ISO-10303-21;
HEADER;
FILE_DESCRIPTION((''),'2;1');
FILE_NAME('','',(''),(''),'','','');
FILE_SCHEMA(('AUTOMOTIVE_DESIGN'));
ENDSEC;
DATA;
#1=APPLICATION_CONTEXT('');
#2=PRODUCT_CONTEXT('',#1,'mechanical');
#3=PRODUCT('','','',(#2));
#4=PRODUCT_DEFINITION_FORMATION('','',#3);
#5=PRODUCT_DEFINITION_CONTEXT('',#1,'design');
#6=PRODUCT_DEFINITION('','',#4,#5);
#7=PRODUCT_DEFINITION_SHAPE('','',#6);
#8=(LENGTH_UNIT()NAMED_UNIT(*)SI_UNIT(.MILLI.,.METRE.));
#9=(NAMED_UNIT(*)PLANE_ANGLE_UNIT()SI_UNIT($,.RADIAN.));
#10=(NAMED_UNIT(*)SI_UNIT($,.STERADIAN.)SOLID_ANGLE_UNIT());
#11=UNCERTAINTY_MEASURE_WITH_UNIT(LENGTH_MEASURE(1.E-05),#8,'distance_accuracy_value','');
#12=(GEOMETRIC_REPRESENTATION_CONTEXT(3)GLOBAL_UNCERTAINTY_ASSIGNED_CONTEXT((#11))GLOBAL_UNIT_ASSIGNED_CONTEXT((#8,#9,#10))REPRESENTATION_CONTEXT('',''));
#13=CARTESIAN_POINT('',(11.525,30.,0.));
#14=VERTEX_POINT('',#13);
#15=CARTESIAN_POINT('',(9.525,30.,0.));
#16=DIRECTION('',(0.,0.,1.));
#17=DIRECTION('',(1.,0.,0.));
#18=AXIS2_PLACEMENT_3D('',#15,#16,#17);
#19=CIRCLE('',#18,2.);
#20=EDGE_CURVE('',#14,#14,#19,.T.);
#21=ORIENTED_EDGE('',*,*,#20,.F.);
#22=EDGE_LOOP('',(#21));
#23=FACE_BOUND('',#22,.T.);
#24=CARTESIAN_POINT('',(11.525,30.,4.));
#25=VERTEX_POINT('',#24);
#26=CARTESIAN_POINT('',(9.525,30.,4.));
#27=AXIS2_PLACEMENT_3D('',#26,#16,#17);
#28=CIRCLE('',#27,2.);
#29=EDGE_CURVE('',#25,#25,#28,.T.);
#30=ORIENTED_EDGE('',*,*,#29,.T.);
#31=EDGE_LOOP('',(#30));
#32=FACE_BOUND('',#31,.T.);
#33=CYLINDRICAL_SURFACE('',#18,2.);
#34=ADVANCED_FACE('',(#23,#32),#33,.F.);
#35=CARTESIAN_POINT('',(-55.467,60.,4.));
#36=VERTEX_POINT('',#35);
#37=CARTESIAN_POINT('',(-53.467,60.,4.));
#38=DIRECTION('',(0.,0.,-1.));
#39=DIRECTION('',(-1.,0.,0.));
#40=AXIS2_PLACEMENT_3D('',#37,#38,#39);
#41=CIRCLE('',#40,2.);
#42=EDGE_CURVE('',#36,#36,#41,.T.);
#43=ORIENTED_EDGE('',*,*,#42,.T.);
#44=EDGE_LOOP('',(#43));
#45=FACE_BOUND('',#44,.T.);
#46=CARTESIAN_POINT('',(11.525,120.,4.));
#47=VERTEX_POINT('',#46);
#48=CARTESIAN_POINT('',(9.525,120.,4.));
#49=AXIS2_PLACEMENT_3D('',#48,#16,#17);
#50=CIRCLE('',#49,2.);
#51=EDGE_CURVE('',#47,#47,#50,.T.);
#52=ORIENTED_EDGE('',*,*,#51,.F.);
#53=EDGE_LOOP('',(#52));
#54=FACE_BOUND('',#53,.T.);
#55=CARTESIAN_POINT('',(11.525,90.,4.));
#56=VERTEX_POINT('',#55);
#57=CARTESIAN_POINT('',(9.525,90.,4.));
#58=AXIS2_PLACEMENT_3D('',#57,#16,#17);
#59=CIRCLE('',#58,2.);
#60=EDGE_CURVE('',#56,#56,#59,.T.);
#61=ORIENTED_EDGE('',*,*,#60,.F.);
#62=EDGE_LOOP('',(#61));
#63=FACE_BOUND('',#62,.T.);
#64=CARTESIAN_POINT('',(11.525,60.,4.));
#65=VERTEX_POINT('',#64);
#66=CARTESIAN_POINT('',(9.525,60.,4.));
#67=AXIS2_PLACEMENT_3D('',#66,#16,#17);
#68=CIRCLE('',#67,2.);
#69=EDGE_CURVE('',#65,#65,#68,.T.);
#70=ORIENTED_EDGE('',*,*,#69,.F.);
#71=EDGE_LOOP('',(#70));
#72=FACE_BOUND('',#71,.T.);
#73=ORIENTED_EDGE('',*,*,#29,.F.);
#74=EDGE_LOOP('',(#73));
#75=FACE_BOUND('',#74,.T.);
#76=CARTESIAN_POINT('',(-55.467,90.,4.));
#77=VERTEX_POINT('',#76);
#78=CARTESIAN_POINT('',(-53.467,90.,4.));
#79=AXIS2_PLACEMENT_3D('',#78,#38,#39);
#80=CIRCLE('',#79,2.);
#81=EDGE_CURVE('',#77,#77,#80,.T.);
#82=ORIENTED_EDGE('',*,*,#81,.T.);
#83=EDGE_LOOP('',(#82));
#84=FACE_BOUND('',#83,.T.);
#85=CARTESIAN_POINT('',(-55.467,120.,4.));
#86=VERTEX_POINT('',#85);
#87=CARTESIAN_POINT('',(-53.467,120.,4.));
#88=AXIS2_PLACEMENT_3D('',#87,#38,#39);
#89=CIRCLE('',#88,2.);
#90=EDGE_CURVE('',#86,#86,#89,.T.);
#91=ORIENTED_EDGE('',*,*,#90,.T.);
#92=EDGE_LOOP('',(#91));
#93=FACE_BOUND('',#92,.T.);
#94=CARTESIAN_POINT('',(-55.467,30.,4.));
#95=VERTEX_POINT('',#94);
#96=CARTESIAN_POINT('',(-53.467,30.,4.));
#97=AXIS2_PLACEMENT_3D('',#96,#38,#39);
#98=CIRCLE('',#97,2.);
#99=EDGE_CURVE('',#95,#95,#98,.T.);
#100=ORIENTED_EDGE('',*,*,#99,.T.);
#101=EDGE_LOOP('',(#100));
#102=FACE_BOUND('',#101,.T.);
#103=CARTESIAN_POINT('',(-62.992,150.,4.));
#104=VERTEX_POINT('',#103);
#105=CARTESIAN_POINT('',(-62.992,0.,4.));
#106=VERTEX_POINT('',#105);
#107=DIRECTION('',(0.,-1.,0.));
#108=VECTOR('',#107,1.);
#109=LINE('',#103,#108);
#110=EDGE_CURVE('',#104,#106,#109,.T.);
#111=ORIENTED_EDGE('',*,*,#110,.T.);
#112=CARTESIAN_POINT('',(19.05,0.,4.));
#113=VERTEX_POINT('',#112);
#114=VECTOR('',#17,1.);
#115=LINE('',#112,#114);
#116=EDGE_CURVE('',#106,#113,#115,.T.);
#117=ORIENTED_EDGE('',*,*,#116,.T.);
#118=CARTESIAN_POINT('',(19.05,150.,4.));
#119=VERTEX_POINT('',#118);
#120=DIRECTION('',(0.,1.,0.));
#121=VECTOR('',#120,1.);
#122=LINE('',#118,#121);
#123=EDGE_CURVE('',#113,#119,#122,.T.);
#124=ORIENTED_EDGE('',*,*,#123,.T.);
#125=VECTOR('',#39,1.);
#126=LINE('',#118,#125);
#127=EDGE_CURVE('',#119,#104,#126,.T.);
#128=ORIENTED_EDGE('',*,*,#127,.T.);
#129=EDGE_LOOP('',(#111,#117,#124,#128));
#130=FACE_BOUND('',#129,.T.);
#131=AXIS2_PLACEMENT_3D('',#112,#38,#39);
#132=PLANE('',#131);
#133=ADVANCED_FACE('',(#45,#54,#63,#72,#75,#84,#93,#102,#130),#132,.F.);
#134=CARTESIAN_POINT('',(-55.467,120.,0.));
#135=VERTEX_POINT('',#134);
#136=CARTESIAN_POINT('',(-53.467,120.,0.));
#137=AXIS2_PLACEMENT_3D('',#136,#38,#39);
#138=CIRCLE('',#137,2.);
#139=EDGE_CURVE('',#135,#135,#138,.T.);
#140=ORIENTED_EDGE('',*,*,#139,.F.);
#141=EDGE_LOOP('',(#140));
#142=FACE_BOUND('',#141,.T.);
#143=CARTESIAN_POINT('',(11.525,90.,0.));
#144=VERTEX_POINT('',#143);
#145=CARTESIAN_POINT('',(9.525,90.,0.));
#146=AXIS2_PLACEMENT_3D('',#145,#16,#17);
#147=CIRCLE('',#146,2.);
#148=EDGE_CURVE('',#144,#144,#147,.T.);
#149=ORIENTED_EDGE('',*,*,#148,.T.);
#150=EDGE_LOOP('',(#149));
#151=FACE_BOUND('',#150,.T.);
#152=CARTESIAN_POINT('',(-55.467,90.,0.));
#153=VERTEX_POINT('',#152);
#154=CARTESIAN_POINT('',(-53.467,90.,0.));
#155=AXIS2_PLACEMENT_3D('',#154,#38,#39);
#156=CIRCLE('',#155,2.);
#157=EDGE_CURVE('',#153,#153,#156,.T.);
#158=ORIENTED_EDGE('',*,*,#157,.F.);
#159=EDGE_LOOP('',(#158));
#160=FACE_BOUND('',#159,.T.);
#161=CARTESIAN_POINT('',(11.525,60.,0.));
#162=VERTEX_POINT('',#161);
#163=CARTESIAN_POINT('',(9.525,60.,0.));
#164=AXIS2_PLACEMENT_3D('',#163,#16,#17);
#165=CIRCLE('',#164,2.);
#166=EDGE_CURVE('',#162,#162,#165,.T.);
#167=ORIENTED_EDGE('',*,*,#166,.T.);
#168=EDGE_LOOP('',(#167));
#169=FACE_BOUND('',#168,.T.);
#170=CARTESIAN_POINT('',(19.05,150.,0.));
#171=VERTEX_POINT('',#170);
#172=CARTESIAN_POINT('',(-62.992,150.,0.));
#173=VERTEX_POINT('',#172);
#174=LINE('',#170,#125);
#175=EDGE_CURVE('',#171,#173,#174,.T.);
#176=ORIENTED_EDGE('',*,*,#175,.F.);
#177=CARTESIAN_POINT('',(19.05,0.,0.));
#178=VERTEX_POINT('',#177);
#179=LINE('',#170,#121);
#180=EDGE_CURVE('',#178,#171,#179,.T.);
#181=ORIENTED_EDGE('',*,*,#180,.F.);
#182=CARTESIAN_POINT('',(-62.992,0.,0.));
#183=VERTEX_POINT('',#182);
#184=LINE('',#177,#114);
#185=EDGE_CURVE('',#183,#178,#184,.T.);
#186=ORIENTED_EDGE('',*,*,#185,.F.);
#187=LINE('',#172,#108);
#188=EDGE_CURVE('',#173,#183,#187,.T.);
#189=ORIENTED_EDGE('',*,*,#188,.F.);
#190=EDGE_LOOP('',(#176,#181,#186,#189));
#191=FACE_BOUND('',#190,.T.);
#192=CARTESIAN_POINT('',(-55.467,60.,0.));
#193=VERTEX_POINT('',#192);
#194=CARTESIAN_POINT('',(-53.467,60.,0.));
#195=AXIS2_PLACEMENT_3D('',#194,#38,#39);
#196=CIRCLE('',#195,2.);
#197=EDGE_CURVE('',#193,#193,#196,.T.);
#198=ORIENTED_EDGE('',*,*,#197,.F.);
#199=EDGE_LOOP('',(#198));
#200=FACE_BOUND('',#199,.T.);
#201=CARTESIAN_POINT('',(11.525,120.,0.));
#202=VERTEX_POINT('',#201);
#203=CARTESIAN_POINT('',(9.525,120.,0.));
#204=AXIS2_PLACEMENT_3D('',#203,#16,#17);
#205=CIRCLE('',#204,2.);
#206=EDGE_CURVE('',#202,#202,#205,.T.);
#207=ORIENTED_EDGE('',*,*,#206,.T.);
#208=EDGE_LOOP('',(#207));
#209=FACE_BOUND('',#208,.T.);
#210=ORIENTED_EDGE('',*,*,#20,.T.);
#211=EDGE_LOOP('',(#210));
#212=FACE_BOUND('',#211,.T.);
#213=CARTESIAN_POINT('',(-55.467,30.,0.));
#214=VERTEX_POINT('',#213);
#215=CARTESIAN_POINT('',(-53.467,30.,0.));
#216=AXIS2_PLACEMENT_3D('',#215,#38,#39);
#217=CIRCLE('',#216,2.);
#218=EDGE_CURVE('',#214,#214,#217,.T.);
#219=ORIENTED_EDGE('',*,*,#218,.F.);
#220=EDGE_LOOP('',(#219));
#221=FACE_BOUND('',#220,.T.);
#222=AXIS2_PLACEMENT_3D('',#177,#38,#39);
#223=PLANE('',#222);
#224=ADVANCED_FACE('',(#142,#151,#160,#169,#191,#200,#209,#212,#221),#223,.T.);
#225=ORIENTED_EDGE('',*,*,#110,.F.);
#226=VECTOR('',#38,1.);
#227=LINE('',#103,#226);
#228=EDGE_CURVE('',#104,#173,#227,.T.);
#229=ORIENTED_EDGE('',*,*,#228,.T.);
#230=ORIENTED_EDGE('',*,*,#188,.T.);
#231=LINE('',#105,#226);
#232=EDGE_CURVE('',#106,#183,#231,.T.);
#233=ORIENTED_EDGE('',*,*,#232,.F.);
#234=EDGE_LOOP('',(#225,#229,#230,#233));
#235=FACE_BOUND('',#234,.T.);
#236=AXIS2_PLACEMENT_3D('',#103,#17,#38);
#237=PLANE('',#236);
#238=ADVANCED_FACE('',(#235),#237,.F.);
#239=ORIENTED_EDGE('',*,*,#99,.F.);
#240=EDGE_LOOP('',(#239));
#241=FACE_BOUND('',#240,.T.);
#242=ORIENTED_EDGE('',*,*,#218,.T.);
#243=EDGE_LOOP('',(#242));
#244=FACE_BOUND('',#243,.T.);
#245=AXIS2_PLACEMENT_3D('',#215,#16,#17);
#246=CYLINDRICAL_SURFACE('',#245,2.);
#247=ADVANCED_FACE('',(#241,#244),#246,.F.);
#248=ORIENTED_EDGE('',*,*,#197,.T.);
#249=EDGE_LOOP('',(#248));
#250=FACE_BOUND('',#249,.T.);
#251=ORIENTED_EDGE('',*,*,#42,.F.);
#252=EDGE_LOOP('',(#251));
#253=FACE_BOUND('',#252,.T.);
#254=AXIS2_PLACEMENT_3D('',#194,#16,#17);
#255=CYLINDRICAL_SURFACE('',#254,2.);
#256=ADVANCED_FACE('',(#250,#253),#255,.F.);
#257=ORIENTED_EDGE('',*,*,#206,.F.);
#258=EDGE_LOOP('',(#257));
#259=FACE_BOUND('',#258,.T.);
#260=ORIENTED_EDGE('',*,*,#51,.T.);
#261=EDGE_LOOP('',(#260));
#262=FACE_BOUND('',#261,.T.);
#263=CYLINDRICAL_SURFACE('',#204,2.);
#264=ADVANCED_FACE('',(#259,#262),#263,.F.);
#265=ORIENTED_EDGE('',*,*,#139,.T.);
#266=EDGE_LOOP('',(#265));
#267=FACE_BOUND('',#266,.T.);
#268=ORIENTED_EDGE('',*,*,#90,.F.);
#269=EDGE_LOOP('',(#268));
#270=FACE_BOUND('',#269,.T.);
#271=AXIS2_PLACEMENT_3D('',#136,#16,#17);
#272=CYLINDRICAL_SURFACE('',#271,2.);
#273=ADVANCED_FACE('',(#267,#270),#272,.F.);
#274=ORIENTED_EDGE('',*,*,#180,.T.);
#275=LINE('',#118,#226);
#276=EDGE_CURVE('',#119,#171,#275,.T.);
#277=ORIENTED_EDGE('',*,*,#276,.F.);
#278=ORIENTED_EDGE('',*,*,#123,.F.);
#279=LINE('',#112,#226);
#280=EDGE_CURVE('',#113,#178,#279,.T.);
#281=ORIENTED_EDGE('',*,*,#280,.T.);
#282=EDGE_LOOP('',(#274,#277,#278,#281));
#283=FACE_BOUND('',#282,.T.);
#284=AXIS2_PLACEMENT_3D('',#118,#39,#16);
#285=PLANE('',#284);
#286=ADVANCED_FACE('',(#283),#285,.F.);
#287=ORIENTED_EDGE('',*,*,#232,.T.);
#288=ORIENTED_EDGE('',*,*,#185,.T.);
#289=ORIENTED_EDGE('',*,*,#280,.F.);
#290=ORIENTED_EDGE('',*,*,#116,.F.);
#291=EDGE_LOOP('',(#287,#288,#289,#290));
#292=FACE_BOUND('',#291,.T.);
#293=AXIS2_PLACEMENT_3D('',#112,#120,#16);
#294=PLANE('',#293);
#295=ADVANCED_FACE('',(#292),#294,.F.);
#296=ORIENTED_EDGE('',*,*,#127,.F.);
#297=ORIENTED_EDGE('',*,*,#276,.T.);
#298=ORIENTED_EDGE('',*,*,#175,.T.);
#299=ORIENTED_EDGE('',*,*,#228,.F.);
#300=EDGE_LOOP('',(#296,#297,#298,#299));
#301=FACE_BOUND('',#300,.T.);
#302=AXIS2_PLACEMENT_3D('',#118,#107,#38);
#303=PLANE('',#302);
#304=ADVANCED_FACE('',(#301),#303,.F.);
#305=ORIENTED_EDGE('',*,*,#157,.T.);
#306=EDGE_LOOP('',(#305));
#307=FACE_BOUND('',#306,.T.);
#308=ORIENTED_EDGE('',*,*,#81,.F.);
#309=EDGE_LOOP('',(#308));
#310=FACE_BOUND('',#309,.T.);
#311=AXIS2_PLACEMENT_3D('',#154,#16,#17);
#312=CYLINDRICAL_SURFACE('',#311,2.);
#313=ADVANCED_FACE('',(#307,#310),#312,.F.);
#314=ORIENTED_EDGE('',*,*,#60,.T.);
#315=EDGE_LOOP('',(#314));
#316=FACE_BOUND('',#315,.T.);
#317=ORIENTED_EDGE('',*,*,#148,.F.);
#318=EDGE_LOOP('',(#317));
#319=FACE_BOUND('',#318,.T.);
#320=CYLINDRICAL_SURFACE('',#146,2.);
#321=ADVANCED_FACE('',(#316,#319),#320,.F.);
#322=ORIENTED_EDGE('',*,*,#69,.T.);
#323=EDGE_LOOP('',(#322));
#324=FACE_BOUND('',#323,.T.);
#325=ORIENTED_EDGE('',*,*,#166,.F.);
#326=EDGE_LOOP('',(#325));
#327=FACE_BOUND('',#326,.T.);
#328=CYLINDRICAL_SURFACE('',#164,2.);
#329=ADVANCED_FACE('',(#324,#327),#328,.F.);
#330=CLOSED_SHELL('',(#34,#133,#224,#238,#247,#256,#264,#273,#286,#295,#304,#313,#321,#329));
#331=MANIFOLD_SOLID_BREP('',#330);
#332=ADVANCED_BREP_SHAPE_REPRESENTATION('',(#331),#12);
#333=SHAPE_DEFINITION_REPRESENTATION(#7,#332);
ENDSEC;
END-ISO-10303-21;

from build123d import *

# Parameters (mm, degrees)
SKETCH1_W           = 82.042
SKETCH1_H           = 150
BOSS_EXTRUDE1_DEPTH = 4
SKETCH2_R           = 2
CUT_EXTRUDE1_DEPTH  = 5


with BuildPart() as part:
    # Sketch1 → Boss-Extrude1 (new body)
    with BuildSketch(Plane.XY):
        with Locations((-21.971, 75)):
            Rectangle(SKETCH1_W, SKETCH1_H)
    extrude(amount=BOSS_EXTRUDE1_DEPTH)

    # Sketch2 → Cut-Extrude1 (cut, through all)
    with BuildSketch(Plane.XY.offset(4)):
        with Locations((-53.467, 30)):
            Circle(SKETCH2_R)
        with Locations((9.525, 30)):
            Circle(SKETCH2_R)
        with Locations((9.525, 60)):
            Circle(SKETCH2_R)
        with Locations((9.525, 90)):
            Circle(SKETCH2_R)
        with Locations((9.525, 120)):
            Circle(SKETCH2_R)
        with Locations((-53.467, 60)):
            Circle(SKETCH2_R)
        with Locations((-53.467, 90)):
            Circle(SKETCH2_R)
        with Locations((-53.467, 120)):
            Circle(SKETCH2_R)
    extrude(amount=-CUT_EXTRUDE1_DEPTH, mode=Mode.SUBTRACT)


solid = part.part
